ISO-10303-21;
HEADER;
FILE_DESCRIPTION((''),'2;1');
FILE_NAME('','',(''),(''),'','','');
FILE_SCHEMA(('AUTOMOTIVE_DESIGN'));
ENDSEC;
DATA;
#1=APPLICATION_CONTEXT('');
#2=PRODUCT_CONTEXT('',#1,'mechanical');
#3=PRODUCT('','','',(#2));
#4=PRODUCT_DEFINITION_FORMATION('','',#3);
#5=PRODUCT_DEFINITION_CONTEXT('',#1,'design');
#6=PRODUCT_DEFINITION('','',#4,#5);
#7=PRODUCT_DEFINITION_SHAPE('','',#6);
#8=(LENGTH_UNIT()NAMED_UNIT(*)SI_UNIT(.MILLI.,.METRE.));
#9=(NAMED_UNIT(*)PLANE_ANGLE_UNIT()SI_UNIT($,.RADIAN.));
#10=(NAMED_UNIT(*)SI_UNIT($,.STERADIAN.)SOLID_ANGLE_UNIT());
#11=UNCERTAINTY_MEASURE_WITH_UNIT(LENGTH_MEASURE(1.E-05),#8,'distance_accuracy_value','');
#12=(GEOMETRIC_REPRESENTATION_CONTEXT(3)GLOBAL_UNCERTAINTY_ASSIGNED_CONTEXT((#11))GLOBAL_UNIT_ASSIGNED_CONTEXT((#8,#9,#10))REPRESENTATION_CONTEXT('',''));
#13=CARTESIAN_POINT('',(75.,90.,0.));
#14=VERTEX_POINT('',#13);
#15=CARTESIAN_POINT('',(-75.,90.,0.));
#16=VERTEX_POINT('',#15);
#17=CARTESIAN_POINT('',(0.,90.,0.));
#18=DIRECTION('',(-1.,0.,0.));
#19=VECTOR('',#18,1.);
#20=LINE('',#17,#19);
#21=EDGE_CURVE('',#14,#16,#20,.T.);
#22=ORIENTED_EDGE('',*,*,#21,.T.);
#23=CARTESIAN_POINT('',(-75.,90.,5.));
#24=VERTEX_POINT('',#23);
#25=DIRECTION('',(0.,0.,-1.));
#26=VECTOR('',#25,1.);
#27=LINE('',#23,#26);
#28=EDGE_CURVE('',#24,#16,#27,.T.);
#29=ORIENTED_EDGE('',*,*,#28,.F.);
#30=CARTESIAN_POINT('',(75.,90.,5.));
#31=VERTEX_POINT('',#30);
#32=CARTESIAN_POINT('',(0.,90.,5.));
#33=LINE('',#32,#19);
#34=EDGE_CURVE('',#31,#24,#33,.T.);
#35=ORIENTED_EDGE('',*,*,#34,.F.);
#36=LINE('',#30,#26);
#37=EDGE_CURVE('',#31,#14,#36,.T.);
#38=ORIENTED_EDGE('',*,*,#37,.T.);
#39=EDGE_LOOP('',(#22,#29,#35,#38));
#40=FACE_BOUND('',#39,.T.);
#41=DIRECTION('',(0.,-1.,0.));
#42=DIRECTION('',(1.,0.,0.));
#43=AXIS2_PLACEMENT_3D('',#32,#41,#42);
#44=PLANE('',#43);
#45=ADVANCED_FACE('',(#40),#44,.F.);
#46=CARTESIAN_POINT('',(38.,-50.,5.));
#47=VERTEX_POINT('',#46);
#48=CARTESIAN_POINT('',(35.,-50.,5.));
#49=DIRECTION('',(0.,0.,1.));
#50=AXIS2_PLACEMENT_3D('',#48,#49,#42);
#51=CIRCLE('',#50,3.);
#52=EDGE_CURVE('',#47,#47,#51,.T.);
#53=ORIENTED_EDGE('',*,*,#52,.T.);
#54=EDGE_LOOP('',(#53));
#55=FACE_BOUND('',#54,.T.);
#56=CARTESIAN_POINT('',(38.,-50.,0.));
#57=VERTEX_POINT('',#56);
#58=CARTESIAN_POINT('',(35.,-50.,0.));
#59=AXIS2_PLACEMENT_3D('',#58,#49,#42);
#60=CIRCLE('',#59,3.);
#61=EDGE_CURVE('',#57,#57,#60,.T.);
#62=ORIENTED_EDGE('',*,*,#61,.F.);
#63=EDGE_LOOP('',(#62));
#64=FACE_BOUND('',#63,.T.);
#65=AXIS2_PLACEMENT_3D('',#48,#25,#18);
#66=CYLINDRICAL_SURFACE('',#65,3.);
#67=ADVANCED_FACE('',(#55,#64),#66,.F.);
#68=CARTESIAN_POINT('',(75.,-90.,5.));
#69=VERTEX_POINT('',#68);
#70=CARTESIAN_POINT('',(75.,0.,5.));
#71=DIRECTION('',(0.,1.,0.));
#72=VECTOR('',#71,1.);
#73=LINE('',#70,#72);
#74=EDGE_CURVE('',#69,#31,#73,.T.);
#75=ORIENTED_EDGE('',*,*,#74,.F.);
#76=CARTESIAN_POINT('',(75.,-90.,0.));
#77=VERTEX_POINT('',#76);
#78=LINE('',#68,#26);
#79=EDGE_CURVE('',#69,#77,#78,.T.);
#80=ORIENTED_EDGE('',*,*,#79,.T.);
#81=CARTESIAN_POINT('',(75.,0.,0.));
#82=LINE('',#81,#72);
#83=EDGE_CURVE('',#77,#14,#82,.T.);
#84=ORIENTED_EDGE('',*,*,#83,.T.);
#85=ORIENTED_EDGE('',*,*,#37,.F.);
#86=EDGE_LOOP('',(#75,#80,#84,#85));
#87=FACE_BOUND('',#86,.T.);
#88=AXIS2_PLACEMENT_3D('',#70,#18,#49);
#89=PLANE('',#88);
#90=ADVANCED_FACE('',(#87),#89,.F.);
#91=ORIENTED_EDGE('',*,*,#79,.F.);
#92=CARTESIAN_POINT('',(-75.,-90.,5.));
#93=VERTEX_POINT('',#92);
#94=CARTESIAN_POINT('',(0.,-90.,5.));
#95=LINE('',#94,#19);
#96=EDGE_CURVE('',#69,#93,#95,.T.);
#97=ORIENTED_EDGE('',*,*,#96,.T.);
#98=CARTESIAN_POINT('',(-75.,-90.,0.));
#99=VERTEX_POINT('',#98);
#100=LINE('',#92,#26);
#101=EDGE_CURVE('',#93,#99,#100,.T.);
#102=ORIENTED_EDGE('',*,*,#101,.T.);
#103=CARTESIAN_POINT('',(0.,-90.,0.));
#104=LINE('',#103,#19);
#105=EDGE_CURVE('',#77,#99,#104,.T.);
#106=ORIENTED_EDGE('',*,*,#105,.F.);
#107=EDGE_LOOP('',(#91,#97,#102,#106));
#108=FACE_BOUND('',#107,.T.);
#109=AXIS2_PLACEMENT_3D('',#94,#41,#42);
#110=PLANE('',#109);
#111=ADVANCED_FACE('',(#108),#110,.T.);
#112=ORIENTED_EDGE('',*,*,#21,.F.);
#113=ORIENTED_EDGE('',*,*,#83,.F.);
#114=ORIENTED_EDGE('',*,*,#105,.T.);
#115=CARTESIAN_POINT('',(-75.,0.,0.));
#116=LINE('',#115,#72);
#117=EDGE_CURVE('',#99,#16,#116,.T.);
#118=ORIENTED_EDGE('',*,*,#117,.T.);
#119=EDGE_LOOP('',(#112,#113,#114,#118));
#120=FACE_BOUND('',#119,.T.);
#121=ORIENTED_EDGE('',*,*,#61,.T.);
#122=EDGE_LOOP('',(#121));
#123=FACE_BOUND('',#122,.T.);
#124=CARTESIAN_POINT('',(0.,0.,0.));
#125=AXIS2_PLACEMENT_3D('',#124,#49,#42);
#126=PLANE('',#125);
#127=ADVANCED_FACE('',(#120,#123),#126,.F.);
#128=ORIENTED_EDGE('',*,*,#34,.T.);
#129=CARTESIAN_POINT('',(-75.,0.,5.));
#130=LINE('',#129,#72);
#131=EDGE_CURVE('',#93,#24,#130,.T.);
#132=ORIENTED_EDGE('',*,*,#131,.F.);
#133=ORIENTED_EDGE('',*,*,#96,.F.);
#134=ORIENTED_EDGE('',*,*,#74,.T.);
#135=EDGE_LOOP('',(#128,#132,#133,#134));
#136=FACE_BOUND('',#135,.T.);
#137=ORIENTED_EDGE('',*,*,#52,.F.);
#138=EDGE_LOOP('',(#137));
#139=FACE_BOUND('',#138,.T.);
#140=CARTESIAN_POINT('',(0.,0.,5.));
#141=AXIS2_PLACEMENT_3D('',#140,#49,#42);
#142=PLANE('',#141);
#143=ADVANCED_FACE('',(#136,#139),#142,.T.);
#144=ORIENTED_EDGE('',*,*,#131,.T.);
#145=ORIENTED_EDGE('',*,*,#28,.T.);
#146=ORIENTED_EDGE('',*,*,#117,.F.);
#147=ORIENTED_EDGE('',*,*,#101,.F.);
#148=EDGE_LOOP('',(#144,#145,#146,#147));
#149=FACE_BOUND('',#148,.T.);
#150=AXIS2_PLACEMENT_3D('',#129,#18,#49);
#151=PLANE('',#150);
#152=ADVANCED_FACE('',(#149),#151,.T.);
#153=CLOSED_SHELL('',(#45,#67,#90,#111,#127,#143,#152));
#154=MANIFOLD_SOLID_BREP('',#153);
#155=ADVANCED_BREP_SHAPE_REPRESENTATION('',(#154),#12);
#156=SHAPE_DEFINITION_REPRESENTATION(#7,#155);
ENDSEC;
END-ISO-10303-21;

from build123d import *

# Parameters (mm, degrees)
BOSS_EXTRUDE1_DEPTH = 5


with BuildPart() as part:
    # Sketch1 → Boss-Extrude1 (new body)
    with BuildSketch(Plane.XY):
        with BuildLine():
            Line((38, -50), (75, -50))
            Line((75, -50), (75, 90))
            Line((75, 90), (-75, 90))
            Line((-75, 90), (-75, -50))
            Line((-75, -50), (32, -50))
            ThreePointArc((32, -50), (35, -47), (38, -50))
        make_face()
        with BuildLine():
            Line((-75, -90), (75, -90))
            Line((75, -90), (75, -50))
            Line((75, -50), (38, -50))
            ThreePointArc((38, -50), (35, -53), (32, -50))
            Line((32, -50), (-75, -50))
            Line((-75, -50), (-75, -90))
        make_face()
    extrude(amount=BOSS_EXTRUDE1_DEPTH)


solid = part.part
